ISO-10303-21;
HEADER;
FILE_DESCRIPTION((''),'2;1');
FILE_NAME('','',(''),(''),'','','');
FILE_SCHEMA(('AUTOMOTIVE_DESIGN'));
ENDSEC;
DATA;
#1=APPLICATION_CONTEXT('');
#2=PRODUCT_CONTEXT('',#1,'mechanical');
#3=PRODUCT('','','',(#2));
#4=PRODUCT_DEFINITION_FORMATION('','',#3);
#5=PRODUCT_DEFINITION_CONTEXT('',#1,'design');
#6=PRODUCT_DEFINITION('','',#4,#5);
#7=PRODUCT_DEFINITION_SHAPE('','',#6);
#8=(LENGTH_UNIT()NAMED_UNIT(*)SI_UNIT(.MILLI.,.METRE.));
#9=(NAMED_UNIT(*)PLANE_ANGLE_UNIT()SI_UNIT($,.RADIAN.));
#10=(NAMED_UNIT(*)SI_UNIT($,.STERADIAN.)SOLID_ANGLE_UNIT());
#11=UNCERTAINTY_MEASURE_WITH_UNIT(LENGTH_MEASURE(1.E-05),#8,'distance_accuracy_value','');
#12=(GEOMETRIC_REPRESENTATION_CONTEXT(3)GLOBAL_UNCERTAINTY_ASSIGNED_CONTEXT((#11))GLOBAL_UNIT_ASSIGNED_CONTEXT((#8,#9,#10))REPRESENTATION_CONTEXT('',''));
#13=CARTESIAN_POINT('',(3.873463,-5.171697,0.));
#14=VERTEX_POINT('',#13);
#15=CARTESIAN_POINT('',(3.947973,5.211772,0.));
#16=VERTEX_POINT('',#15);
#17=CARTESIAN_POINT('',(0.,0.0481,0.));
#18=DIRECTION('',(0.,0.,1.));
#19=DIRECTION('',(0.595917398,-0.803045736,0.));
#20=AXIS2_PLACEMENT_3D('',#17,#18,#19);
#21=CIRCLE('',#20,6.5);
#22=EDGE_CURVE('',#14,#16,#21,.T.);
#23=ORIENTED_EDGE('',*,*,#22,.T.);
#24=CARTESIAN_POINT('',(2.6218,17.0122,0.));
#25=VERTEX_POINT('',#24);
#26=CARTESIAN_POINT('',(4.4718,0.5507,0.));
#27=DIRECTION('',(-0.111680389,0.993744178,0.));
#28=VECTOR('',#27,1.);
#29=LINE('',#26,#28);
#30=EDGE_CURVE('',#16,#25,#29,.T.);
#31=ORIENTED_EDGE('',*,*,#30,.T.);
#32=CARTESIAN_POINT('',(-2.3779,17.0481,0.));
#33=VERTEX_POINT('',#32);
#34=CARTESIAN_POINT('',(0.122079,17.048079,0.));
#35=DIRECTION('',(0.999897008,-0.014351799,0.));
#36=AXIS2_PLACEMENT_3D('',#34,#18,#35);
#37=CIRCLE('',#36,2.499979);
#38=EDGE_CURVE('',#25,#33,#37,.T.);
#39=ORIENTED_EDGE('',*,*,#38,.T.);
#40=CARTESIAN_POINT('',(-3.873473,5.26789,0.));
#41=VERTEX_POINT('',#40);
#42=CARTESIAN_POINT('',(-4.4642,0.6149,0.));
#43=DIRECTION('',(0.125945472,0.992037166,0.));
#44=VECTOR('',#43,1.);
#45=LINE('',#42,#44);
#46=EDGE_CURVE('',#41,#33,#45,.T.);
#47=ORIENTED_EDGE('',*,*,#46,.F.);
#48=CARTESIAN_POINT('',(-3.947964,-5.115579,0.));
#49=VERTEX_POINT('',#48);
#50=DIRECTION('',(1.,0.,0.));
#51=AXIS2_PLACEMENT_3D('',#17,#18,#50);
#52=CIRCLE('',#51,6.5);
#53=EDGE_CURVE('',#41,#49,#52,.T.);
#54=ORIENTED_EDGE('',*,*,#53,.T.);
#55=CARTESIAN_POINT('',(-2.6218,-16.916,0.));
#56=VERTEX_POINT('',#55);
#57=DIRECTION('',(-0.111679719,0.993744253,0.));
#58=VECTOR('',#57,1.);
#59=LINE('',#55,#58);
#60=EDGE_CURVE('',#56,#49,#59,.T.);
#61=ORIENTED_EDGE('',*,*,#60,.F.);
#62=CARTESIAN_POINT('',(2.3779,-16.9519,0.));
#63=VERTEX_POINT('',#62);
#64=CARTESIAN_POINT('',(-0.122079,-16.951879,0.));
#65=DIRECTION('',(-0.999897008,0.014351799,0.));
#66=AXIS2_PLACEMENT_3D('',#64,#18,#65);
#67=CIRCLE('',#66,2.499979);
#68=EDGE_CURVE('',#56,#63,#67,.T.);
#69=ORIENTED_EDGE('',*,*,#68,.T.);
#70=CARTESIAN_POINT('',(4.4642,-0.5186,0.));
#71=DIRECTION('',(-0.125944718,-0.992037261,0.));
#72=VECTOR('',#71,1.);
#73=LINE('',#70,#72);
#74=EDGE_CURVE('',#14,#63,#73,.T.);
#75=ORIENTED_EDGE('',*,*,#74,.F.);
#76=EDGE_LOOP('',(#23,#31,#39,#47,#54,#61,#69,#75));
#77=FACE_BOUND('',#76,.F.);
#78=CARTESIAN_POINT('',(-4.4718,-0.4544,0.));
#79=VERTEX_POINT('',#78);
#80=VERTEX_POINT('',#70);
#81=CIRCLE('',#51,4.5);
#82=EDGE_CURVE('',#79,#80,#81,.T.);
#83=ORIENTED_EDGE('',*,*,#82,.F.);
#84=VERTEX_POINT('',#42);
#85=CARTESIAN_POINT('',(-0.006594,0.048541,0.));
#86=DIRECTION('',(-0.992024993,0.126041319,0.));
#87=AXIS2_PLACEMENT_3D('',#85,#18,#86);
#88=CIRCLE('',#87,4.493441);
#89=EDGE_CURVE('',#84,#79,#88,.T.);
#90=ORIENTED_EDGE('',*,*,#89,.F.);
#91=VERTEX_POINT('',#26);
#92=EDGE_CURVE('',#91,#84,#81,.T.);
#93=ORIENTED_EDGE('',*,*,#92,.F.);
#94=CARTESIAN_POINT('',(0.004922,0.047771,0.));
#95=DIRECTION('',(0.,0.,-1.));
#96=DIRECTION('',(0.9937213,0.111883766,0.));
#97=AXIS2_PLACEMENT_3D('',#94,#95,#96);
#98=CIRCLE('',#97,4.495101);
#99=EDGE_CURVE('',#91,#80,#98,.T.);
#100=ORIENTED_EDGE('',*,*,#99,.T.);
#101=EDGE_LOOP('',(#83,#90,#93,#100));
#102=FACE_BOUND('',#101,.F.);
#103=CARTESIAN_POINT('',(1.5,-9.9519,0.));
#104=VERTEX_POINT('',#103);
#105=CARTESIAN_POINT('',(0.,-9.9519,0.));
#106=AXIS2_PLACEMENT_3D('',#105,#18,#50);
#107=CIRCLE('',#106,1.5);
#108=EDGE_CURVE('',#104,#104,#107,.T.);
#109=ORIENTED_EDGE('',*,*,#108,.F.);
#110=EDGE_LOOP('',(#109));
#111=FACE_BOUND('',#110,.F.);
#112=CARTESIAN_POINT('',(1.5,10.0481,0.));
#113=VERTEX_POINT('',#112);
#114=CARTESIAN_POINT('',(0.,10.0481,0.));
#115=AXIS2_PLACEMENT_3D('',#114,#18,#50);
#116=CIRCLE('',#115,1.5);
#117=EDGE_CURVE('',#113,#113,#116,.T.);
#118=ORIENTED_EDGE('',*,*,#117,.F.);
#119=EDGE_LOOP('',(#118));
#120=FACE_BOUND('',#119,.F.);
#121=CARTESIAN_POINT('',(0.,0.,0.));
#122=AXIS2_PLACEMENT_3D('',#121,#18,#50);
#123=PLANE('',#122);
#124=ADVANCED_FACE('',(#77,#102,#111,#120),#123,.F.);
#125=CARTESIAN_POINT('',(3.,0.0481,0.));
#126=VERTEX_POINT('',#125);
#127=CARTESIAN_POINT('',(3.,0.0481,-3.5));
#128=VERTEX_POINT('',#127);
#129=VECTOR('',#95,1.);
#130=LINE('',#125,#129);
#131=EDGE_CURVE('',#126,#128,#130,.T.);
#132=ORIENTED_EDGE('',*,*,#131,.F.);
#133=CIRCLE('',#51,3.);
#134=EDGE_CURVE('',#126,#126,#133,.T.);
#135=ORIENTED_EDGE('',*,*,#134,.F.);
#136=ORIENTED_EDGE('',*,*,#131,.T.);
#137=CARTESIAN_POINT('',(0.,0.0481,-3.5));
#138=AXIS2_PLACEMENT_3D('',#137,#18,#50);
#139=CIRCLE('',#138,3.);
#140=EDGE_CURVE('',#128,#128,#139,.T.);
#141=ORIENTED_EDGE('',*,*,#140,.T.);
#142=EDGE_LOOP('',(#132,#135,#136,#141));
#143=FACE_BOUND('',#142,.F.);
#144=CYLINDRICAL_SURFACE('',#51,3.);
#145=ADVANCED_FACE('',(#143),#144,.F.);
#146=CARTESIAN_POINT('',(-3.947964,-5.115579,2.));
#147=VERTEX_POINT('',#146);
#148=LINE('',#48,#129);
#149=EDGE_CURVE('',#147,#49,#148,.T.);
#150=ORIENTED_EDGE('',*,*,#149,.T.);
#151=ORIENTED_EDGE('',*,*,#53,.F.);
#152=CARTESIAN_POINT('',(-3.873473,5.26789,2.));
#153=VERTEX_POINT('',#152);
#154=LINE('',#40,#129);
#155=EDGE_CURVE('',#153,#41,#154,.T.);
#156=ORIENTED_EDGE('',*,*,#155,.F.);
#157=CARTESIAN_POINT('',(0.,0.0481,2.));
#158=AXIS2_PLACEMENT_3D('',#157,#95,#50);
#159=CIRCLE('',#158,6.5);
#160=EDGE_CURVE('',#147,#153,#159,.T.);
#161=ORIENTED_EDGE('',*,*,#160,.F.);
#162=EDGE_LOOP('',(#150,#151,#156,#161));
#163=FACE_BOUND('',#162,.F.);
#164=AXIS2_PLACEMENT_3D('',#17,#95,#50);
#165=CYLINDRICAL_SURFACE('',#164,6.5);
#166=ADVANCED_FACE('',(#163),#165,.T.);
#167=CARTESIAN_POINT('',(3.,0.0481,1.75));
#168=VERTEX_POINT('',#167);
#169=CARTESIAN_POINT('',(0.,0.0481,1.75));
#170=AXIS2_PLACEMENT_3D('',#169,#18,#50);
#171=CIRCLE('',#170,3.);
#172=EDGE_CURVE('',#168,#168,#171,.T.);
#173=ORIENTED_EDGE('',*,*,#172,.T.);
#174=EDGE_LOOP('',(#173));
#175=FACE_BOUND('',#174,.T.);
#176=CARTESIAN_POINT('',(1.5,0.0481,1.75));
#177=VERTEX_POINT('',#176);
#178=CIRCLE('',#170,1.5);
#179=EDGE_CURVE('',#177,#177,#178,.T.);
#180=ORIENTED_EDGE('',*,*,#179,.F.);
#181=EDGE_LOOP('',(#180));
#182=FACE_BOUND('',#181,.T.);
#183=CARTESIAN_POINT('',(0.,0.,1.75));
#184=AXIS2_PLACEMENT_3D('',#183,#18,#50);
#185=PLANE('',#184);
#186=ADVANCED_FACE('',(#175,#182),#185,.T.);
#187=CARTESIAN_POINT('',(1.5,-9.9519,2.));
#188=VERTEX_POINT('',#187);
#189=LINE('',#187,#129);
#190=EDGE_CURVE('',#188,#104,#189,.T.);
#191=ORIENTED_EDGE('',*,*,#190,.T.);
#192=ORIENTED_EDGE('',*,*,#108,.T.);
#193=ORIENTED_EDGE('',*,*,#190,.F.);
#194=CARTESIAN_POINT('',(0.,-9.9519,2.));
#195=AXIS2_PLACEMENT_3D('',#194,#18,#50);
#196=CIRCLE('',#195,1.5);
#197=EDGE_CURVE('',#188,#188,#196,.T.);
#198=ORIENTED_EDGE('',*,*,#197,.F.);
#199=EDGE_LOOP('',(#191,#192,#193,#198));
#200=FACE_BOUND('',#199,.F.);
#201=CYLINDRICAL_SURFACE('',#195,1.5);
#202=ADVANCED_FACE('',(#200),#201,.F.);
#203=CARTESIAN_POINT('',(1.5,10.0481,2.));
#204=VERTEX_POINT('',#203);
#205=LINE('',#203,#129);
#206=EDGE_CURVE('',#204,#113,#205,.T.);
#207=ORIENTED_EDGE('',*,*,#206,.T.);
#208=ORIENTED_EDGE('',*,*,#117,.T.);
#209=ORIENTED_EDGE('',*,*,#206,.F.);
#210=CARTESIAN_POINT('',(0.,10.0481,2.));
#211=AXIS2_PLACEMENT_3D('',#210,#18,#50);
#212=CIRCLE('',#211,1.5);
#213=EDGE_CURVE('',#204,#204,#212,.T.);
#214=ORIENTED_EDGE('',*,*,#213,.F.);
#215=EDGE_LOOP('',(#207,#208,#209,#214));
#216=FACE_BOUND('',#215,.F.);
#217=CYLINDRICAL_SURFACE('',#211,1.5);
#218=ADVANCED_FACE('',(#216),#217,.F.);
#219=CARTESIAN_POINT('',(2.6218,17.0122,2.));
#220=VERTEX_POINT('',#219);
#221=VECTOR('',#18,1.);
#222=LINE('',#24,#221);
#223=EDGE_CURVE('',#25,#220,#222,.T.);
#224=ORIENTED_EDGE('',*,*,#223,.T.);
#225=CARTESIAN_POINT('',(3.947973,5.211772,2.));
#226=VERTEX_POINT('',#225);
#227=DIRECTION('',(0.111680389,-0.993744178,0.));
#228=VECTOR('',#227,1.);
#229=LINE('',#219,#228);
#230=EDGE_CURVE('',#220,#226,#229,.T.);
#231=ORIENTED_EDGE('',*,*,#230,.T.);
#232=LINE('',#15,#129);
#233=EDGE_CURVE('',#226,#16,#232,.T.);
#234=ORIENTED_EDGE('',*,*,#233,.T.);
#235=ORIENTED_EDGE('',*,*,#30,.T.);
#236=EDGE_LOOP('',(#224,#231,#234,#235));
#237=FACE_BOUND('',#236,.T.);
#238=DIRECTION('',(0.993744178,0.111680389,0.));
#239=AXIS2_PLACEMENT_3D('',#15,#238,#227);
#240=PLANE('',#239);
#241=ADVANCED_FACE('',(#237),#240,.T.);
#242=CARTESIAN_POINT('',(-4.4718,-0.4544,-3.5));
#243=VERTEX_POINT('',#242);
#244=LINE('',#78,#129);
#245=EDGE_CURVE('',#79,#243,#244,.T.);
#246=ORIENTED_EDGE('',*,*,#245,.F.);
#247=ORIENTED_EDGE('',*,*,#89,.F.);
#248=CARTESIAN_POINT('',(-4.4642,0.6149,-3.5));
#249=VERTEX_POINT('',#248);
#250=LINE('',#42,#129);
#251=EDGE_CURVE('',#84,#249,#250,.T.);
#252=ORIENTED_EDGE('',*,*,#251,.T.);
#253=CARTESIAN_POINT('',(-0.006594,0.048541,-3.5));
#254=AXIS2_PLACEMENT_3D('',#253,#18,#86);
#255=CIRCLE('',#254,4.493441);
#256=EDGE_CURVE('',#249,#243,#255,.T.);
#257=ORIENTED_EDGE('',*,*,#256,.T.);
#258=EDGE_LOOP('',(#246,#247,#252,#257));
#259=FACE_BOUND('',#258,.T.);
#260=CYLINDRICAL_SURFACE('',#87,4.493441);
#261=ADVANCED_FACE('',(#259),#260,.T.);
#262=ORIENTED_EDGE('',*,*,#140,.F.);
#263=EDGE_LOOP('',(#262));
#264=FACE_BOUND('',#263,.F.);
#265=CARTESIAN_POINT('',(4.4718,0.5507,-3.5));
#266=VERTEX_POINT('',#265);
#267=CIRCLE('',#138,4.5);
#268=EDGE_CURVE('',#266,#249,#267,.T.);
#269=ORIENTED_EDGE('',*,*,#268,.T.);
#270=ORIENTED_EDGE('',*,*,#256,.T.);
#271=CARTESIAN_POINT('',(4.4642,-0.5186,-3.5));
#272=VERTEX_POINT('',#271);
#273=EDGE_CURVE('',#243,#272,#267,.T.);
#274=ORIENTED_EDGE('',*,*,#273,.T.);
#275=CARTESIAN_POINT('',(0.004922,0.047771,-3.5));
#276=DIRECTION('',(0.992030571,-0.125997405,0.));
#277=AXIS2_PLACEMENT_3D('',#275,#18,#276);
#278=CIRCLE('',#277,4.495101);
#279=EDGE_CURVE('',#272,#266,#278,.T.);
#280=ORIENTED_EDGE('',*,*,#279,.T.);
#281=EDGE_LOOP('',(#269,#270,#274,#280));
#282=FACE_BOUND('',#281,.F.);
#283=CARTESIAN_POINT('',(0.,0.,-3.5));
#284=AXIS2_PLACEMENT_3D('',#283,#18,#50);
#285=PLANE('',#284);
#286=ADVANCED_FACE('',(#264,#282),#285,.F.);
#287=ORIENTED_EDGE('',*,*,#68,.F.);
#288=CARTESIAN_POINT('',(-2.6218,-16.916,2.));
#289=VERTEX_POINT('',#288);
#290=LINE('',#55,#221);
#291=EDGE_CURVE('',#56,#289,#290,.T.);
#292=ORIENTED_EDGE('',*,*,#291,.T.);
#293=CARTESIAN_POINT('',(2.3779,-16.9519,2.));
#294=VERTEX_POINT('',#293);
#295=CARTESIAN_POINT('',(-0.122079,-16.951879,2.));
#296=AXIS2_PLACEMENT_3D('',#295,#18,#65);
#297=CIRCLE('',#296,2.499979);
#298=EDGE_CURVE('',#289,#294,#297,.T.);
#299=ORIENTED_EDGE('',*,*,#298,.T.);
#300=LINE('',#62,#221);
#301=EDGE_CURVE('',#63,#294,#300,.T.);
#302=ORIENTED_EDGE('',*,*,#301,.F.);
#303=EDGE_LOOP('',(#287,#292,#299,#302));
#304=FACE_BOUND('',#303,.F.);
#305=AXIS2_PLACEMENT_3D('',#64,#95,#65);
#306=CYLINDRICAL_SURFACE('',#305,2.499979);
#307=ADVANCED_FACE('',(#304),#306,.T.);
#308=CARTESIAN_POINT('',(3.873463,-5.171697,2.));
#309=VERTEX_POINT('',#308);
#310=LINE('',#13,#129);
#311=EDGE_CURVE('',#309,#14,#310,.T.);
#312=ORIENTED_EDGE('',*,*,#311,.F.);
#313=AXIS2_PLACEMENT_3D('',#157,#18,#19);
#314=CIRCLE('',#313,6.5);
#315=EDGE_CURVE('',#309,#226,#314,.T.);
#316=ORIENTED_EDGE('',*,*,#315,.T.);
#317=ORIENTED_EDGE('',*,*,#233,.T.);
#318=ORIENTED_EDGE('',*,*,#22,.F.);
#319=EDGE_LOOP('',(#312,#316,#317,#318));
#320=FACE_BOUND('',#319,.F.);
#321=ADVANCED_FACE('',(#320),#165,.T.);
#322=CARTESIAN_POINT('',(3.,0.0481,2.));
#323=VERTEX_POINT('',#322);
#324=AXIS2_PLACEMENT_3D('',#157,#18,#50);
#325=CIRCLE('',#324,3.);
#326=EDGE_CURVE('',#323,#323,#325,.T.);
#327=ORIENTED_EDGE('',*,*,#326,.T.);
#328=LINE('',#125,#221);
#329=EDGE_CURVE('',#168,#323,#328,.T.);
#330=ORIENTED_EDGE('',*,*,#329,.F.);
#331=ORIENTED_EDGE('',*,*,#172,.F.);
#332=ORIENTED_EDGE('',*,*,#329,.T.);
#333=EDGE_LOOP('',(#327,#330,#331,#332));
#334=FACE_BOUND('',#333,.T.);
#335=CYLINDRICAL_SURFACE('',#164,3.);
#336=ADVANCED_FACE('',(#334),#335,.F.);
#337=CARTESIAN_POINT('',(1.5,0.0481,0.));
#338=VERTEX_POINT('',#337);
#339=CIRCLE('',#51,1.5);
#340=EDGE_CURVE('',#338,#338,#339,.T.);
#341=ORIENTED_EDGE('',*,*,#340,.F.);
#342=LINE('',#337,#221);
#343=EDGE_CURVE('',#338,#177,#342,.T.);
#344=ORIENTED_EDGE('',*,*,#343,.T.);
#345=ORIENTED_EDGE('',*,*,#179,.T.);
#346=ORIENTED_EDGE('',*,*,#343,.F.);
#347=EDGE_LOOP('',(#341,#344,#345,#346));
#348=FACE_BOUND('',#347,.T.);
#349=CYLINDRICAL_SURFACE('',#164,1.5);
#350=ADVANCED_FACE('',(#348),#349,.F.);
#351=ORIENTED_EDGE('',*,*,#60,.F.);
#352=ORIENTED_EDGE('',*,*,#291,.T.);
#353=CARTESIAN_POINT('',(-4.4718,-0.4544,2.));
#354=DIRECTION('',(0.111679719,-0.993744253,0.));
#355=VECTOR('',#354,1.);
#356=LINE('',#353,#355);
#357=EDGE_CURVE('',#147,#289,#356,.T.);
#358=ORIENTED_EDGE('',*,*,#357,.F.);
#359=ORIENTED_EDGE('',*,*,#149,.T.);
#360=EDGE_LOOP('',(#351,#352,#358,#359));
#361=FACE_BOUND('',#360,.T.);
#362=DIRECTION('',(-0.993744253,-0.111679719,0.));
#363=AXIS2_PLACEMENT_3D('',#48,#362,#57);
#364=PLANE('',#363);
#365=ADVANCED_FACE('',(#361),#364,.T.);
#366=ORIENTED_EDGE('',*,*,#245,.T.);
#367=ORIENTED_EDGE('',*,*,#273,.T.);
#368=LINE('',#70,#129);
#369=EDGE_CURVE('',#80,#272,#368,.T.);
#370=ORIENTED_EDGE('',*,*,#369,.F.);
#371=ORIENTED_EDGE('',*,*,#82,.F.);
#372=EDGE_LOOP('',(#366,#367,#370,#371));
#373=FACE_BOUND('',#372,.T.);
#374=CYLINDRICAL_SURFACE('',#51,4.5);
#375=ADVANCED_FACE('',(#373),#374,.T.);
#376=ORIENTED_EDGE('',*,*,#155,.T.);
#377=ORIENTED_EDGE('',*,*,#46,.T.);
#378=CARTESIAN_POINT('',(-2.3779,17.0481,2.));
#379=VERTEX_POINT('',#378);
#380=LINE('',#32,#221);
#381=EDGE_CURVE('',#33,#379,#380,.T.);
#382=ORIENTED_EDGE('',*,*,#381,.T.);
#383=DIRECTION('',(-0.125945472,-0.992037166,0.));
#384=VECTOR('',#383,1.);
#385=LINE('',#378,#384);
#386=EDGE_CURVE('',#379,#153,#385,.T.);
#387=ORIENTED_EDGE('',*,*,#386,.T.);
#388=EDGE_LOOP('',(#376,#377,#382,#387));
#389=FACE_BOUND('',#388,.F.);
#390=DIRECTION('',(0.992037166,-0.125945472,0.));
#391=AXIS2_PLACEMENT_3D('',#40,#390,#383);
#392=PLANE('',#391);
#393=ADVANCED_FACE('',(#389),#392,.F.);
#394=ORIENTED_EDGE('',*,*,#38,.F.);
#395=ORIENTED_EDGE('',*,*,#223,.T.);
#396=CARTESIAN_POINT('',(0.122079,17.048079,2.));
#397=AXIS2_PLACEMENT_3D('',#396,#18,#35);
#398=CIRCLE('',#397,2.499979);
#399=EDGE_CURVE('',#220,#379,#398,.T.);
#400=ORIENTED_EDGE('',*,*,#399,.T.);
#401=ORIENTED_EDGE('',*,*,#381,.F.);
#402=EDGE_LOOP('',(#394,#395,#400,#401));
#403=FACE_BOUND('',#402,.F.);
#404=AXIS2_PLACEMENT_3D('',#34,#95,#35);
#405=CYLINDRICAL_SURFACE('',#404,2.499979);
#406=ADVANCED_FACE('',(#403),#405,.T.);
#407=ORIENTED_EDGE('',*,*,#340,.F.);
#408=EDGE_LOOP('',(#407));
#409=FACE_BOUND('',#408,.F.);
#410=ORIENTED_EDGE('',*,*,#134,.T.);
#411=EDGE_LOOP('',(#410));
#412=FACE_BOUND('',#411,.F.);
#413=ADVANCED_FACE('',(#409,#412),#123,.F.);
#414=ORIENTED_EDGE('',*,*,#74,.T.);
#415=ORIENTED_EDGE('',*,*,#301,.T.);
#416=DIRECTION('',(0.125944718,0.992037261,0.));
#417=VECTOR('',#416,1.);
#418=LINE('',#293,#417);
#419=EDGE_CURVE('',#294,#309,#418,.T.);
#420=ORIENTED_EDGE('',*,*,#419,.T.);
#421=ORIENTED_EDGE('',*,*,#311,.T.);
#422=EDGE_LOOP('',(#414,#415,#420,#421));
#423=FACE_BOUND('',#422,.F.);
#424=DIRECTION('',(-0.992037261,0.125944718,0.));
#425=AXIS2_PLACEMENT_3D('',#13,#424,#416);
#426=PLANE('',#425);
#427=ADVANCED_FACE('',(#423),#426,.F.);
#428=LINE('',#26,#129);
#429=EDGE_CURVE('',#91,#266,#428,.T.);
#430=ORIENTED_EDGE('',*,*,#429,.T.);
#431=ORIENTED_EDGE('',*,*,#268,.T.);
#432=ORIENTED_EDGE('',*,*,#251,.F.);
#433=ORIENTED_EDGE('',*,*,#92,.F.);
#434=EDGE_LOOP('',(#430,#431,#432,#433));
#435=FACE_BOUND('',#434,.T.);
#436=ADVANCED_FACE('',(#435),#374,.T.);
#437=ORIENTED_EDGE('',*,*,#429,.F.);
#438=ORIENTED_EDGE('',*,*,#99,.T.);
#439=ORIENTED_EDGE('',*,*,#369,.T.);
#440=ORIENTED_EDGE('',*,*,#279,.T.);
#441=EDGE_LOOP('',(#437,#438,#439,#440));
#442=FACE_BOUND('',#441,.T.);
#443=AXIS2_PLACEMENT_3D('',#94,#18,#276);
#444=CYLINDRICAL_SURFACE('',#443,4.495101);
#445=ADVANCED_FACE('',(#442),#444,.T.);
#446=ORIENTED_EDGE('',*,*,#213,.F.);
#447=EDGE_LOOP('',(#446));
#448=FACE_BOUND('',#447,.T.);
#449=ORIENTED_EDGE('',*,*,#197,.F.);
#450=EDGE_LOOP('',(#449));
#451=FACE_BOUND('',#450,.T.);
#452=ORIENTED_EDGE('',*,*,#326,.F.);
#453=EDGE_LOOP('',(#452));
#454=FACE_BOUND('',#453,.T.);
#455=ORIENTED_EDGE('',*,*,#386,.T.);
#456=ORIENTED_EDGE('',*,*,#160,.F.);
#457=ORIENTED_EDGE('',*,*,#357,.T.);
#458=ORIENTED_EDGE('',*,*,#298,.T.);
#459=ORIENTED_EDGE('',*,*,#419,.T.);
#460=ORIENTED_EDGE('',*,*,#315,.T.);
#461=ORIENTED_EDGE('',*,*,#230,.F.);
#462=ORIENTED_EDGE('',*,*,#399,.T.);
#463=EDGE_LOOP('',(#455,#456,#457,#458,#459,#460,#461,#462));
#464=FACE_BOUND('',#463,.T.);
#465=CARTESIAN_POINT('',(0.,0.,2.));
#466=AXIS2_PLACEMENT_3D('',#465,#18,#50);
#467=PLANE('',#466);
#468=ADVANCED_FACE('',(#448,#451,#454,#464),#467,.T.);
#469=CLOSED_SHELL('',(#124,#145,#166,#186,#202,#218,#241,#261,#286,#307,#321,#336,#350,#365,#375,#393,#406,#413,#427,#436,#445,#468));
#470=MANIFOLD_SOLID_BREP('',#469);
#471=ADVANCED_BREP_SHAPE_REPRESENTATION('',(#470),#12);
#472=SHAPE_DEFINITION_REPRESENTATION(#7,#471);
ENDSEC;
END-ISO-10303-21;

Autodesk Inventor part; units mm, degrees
ref_plane "YZ Plane" through (0, 0, 0) normal (1, 0, 0) x (0, 1, 0)
ref_plane "XZ Plane" through (0, 0, 0) normal (0, 1, 0) x (-1, 0, 0)
ref_plane "XY Plane" through (0, 0, 0) normal (0, 0, 1) x (1, 0, 0)
sketch "Sketch1" plane through (0, 0, 0) normal (0, 0, 1) x (1, 0, 0)
  circle A0 centre (0, 0.0481) radius 3
  circle A1 centre (0, 0.0481) radius 1.5
  circle A2 centre (0, 0.0481) radius 6.5
  arc A3 (2.6218, 17.0122) -> (-2.3779, 17.0481) centre (0.1221, 17.0481) ccw
  line L0 (0.1221, 17.0481) -> (-2.3779, 17.0481) construction
  line L1 (0.1221, 17.0481) -> (2.6221, 17.0481) construction
  line L2 (2.6221, 17.0481) -> (0.1221, 17.0481) construction
  line L3 (-2.3779, 17.0481) -> (-4.4642, 0.6149)
  line L4 (0.1221, 17.0481) -> (0, 0.0481) construction
  line L5 (2.6218, 17.0122) -> (4.4718, 0.5507)
  line L6 (0, 0.0481) -> (-9.4947, 0.1163) construction
  arc A4 (-2.6218, -16.916) -> (2.3779, -16.9519) centre (-0.1221, -16.9519) ccw
  line L7 (-2.6218, -16.916) -> (-4.4718, -0.4544)
  line L8 (2.3779, -16.9519) -> (4.4642, -0.5186)
  arc A5 (-4.4642, 0.6149) -> (-4.4718, -0.4544) centre (0, 0.0481) ccw
  arc A6 (4.4642, -0.5186) -> (4.4718, 0.5507) centre (0, 0.0481) ccw
  circle A7 centre (0, 0.0481) radius 4.5
  dimension "d1" = 3
  dimension "d2" = 6
  dimension "d4" = 13
  dimension "d5" = 5
  dimension "d6" = 17
  dimension "d8" = 16.5652
  dimension "d9" = 16.5652
  dimension "d10" = 97.235
  dimension "d20" = 13.9277
extrude "Extrusion1" add sketch "Sketch1" along normal blind 2 contours L5 A7 L3 A2 | A2 L3 A3 L5 | L8 A4 L7 A2 | A2 L7 A7 L8 | A6 A7 A5
extrude "Extrusion2" add sketch "Sketch1" along normal blind 2 contours A2 L8 A6 L5 | L5 A7 L3 A2 | A2 L7 A7 L8 | L3 A5 L7 A2 | A6 A7 A5
extrude "Extrusion3" add sketch "Sketch1" against normal blind 3.5 contours A6 A7 A5
extrude "Extrusion4" add sketch "Sketch1" along normal blind 1.75 contours A0
sketch "Sketch2" plane through (0, 0, 2) normal (0, 0, 1) x (1, 0, 0)
  circle A0 centre (0, 0.0481) radius 3 projected
  circle A1 centre (0, 10.0481) radius 1.5
  circle A2 centre (0, -9.9519) radius 1.5
  dimension "d25" = 3
  dimension "d26" = 3
  dimension "d29" = 10
  dimension "d30" = 10
extrude "Extrusion5" cut sketch "Sketch2" against normal blind 2 contours A1 | A2
properties part number "acople estrella2 servo"
